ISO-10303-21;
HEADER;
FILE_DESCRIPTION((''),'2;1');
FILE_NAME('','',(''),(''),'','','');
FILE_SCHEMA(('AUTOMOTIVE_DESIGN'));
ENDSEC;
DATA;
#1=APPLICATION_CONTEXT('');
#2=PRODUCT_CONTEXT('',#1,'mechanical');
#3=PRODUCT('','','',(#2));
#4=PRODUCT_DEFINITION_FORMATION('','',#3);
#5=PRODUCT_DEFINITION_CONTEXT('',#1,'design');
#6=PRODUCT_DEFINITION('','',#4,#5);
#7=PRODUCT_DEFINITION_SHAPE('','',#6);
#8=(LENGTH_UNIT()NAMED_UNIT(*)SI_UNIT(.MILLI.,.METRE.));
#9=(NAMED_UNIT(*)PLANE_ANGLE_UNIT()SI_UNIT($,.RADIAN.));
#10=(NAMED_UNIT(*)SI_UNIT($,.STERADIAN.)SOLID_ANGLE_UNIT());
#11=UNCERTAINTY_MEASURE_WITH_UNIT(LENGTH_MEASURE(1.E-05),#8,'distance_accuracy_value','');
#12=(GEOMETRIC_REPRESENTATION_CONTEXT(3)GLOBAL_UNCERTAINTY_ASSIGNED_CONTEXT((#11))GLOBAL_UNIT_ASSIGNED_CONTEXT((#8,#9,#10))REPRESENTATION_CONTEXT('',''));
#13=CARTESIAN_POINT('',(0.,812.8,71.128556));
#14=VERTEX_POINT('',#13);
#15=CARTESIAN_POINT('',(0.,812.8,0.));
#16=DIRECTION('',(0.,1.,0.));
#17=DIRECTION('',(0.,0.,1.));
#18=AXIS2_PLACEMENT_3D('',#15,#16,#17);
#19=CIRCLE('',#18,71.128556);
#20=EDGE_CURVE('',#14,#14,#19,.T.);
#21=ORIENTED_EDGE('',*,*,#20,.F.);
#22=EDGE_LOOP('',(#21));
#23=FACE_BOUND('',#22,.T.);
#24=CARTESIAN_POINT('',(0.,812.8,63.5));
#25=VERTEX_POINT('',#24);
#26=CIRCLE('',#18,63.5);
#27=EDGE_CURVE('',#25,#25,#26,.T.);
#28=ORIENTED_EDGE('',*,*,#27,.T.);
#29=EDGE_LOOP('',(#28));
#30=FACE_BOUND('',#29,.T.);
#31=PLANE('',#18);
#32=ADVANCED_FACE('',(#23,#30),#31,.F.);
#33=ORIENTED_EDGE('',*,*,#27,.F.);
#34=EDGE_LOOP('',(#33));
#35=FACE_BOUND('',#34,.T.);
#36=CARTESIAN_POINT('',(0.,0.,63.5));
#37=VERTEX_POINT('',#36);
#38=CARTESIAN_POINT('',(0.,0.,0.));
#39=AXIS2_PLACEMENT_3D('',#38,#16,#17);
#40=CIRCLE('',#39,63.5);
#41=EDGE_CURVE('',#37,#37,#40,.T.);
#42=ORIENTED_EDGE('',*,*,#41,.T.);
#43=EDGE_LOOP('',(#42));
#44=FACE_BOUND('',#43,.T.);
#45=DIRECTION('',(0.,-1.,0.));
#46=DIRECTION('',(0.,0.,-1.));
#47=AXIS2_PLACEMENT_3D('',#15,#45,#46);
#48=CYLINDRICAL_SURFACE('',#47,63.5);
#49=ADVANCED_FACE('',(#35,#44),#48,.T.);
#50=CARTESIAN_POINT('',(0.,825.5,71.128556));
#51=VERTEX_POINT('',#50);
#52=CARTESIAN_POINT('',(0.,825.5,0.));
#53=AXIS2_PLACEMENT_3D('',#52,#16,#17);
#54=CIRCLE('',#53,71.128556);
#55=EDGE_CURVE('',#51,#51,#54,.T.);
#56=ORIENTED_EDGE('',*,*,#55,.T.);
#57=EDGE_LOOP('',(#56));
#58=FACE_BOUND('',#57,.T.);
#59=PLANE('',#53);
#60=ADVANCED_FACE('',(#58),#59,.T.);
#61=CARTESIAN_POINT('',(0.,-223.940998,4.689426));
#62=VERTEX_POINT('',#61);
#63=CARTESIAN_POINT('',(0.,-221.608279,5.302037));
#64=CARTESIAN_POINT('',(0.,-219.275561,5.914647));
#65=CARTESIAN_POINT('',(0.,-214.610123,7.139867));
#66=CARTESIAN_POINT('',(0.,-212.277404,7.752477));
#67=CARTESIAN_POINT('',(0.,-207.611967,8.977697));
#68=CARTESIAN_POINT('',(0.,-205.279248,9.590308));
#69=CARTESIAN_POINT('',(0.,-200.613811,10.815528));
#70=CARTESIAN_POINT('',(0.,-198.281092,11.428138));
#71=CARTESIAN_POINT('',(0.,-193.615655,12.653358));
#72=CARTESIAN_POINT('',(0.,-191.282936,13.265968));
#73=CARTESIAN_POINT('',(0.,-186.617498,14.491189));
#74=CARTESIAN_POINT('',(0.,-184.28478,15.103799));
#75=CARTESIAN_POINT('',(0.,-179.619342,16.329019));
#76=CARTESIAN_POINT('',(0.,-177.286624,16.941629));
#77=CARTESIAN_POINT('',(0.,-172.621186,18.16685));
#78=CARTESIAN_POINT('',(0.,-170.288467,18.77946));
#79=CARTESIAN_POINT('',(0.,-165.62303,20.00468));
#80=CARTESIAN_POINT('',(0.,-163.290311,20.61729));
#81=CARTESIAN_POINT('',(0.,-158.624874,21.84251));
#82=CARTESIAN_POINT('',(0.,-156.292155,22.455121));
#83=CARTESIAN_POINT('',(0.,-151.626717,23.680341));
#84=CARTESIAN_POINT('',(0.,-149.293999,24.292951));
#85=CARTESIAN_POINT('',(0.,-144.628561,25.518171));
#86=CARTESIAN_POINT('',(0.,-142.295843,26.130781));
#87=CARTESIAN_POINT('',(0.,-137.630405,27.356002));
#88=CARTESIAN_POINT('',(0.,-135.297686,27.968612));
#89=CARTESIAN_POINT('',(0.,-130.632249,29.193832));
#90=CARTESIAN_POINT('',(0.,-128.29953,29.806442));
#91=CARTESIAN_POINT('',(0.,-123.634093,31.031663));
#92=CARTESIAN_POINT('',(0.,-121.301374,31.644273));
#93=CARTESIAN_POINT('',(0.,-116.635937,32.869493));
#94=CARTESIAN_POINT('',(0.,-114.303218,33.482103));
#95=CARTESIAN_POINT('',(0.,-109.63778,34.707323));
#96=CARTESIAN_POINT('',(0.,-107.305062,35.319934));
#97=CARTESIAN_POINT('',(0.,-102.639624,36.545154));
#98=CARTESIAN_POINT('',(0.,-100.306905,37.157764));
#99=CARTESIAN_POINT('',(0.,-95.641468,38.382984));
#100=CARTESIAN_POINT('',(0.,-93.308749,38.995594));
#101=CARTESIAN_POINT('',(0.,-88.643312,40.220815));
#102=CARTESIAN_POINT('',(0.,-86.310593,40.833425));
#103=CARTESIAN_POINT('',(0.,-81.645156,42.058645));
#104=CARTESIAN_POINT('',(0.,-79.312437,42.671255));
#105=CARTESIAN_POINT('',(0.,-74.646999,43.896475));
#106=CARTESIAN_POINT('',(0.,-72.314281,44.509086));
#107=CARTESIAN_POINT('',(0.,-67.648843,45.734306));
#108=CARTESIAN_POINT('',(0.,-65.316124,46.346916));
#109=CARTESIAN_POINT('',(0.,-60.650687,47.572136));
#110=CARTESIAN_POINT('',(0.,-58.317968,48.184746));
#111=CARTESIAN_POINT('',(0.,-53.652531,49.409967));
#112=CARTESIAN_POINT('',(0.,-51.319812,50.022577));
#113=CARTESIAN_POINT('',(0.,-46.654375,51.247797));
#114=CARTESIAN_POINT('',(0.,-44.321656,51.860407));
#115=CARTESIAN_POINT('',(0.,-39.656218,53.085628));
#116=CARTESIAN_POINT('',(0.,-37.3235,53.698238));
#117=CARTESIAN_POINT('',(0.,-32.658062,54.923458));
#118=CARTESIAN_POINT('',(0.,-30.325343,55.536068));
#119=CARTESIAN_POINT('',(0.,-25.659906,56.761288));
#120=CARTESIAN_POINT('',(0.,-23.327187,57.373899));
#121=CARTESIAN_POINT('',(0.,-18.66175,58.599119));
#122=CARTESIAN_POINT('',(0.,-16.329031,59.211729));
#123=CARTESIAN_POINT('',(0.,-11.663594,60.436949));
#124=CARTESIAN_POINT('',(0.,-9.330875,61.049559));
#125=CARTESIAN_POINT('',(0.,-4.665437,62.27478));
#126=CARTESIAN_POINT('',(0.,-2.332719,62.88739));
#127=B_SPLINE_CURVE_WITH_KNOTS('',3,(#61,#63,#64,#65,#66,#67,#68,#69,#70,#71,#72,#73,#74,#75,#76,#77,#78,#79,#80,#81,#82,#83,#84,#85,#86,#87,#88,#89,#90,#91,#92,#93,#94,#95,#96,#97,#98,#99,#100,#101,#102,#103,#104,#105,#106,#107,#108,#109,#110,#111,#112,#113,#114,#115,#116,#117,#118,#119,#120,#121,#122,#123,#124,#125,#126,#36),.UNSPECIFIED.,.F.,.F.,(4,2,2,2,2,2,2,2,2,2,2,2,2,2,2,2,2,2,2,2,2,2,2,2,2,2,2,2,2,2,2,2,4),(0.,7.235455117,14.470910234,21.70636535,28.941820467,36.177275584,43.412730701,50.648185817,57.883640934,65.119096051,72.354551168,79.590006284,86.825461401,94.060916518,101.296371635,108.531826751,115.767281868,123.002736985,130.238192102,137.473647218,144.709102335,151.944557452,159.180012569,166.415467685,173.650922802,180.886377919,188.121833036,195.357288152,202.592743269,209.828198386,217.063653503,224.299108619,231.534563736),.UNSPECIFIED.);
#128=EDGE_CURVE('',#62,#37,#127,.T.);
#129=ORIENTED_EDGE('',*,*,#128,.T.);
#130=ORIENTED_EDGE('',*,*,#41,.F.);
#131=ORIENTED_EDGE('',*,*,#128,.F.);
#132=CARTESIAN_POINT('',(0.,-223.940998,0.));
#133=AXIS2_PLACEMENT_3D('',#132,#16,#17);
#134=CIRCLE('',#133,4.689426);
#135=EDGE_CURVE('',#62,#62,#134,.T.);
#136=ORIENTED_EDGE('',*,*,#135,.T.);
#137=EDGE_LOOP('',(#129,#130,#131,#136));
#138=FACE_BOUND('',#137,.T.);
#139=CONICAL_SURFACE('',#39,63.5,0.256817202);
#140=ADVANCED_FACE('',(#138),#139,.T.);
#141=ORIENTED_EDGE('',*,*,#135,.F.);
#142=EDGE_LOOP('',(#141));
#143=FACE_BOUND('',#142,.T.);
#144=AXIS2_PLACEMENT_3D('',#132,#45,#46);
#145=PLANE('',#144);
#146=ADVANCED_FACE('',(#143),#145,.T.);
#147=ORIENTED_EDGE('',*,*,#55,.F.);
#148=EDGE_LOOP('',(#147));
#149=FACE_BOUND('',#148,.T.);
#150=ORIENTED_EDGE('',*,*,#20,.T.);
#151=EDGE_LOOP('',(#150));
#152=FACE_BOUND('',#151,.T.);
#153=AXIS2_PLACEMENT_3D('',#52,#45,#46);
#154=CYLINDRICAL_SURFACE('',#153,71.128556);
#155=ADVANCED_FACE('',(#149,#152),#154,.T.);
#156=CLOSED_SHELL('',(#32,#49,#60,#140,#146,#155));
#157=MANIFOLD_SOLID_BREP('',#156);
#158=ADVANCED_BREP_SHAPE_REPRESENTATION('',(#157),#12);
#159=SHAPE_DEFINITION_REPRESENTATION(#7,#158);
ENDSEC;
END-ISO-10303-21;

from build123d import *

# Parameters (mm, degrees)
SKETCH1_R           = 63.5
BOSS_EXTRUDE1_DEPTH = 812.8
SKETCH2_R           = 71.128555951
BOSS_EXTRUDE2_DEPTH = 12.7


with BuildPart() as part:
    # Sketch1 → Boss-Extrude1 (new body)
    with BuildSketch(Plane(origin=(0, 0, 0), x_dir=(1, 0, 0), z_dir=(0, 1, 0))):
        with Locations(Location((0, 0, 0), (0, 0, 270))):
            Circle(SKETCH1_R)
    extrude(amount=BOSS_EXTRUDE1_DEPTH)

    # Sketch2 → Boss-Extrude2 (add)
    with BuildSketch(Plane(origin=(0, 812.8, 0), x_dir=(1, 0, 0), z_dir=(0, 1, 0))):
        with Locations(Location((0, 0, 0), (0, 0, 270))):
            Circle(SKETCH2_R)
    extrude(amount=BOSS_EXTRUDE2_DEPTH)

    # Sketch5 → Revolve2 (revolve)
    with BuildSketch(Plane(origin=(0, 0, 0), x_dir=(0, 0, -1), z_dir=(1, 0, 0))):
        Polygon((-63.5, 0), (0, 0), (0, -223.940998137), (-4.689426477, -223.940998137), align=None)
    revolve(axis=Axis((0, 0, 0), (0, -1, 0)))


solid = part.part
